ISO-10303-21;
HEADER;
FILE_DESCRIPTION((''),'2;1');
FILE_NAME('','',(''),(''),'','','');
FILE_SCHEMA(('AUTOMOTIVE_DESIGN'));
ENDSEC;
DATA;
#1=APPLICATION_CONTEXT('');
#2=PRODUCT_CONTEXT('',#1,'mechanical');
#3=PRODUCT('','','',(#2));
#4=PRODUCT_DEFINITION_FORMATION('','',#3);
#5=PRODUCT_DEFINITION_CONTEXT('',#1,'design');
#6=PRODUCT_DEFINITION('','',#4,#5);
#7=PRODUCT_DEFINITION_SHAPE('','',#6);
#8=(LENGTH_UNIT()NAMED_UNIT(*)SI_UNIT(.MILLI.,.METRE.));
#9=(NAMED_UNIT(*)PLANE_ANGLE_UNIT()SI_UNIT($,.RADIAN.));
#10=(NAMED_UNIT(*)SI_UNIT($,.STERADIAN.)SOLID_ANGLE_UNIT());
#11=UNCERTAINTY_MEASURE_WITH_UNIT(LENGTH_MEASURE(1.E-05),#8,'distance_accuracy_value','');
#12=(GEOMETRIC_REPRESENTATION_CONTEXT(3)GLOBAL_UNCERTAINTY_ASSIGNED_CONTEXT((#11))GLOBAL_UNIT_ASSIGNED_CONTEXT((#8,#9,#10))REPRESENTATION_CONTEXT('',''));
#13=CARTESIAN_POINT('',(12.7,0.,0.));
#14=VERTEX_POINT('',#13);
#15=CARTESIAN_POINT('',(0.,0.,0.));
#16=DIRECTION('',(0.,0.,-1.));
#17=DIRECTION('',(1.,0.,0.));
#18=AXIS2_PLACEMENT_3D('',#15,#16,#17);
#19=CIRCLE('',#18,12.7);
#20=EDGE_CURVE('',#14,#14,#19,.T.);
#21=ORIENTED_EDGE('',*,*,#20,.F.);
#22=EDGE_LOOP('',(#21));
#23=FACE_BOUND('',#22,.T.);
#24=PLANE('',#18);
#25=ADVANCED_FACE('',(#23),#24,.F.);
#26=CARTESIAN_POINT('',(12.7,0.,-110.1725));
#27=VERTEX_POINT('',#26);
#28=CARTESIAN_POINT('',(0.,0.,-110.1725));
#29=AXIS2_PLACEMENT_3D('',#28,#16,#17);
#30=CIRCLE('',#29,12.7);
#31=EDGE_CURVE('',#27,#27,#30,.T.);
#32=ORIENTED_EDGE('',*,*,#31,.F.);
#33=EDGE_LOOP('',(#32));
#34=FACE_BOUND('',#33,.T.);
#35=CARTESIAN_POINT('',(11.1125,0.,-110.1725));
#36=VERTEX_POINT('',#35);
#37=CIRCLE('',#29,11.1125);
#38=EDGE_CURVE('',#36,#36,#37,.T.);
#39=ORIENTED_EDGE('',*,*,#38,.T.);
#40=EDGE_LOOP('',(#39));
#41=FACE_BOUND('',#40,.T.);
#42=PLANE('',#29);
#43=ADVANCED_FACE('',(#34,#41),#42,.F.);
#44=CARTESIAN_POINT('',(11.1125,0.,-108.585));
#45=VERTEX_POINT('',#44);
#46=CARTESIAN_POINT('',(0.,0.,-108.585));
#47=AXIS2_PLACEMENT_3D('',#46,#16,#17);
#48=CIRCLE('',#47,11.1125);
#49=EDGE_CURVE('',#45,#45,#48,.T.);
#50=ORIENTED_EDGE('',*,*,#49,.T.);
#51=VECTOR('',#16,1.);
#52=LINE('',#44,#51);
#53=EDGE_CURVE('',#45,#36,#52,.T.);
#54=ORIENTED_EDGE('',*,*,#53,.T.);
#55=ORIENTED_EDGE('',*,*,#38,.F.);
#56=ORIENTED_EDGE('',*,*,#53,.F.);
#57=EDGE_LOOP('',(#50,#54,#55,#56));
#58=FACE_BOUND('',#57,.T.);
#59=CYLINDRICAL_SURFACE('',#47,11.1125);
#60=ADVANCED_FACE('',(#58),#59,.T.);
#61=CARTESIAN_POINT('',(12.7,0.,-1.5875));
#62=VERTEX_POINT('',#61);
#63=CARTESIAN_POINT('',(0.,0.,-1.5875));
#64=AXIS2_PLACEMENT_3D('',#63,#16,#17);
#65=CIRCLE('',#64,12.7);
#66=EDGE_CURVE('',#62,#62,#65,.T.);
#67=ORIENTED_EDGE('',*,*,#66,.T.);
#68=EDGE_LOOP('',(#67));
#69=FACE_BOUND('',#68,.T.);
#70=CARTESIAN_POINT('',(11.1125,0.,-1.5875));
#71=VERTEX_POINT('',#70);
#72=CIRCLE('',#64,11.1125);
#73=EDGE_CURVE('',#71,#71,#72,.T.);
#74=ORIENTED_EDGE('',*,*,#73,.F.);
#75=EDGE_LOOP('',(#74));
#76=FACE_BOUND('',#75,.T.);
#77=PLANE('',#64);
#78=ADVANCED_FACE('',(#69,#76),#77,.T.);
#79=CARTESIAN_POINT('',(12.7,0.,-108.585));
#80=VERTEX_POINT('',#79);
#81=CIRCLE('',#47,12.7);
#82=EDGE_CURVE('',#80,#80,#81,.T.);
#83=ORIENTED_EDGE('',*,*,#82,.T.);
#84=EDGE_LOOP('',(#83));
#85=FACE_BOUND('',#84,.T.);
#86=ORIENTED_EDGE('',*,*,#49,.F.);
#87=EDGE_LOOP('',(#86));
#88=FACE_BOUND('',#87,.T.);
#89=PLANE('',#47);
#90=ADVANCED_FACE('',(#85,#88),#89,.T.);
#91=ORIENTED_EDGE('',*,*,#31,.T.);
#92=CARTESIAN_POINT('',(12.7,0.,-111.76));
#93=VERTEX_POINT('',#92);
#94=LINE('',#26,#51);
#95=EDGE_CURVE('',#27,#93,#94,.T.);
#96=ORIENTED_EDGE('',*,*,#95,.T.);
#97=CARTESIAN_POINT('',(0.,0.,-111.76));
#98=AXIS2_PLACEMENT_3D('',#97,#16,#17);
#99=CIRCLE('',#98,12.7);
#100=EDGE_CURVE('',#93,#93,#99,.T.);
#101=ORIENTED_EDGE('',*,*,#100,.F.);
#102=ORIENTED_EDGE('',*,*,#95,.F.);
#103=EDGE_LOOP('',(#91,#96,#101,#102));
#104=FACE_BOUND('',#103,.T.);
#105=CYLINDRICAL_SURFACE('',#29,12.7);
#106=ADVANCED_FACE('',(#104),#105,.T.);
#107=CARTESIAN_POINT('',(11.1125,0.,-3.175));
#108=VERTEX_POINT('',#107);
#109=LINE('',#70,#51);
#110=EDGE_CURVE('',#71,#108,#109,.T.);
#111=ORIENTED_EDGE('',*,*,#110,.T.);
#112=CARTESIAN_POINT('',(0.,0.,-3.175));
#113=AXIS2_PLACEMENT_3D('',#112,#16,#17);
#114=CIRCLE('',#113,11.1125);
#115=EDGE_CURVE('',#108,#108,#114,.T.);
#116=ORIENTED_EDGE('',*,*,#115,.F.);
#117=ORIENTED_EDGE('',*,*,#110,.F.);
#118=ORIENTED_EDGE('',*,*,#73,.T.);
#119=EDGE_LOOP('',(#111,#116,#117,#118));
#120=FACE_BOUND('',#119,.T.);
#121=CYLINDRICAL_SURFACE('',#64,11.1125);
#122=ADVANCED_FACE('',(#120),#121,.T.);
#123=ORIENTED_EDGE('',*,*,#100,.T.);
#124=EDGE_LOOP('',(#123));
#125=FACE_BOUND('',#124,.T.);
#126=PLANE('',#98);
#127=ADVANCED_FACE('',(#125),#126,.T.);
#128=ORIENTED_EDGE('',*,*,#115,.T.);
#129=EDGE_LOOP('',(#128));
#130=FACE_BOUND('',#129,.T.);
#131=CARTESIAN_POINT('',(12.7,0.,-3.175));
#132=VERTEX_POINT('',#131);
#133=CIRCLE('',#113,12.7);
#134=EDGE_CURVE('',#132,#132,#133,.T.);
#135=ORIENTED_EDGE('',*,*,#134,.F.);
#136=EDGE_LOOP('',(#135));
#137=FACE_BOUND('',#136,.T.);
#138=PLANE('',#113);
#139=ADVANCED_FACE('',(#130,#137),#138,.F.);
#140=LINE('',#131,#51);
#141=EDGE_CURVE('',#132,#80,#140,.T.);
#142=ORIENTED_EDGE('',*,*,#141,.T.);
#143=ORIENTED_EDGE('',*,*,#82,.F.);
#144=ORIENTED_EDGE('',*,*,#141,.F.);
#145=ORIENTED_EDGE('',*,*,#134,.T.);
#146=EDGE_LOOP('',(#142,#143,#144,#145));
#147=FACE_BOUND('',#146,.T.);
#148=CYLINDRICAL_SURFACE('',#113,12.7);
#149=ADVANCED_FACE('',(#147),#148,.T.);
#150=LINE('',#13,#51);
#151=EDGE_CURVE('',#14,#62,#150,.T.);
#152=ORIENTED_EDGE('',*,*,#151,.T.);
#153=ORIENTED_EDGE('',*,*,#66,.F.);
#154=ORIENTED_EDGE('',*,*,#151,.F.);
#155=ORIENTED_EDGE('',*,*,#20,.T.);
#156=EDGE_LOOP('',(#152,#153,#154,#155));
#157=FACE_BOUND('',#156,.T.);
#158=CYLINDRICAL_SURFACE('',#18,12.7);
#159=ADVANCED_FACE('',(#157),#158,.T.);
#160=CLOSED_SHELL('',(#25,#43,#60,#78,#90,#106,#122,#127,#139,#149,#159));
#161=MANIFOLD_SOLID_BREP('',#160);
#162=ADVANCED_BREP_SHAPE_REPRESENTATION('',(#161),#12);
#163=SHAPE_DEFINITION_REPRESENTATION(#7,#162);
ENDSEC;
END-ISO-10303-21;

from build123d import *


with BuildPart() as part:
    # Sketch1 → Revolve1 (revolve)
    with BuildSketch(Plane(origin=(0, 0, 0), x_dir=(1, 0, 0), z_dir=(0, 1, 0))):
        Polygon((0, 0), (12.7, 0), (12.7, 1.5875), (11.1125, 1.5875), (11.1125, 3.175), (12.7, 3.175), (12.7, 108.585), (11.1125, 108.585), (11.1125, 110.1725), (12.7, 110.1725), (12.7, 111.76), (0, 111.76), align=None)
    revolve(axis=Axis((0, 0, 0), (0, 0, -1)))


solid = part.part
